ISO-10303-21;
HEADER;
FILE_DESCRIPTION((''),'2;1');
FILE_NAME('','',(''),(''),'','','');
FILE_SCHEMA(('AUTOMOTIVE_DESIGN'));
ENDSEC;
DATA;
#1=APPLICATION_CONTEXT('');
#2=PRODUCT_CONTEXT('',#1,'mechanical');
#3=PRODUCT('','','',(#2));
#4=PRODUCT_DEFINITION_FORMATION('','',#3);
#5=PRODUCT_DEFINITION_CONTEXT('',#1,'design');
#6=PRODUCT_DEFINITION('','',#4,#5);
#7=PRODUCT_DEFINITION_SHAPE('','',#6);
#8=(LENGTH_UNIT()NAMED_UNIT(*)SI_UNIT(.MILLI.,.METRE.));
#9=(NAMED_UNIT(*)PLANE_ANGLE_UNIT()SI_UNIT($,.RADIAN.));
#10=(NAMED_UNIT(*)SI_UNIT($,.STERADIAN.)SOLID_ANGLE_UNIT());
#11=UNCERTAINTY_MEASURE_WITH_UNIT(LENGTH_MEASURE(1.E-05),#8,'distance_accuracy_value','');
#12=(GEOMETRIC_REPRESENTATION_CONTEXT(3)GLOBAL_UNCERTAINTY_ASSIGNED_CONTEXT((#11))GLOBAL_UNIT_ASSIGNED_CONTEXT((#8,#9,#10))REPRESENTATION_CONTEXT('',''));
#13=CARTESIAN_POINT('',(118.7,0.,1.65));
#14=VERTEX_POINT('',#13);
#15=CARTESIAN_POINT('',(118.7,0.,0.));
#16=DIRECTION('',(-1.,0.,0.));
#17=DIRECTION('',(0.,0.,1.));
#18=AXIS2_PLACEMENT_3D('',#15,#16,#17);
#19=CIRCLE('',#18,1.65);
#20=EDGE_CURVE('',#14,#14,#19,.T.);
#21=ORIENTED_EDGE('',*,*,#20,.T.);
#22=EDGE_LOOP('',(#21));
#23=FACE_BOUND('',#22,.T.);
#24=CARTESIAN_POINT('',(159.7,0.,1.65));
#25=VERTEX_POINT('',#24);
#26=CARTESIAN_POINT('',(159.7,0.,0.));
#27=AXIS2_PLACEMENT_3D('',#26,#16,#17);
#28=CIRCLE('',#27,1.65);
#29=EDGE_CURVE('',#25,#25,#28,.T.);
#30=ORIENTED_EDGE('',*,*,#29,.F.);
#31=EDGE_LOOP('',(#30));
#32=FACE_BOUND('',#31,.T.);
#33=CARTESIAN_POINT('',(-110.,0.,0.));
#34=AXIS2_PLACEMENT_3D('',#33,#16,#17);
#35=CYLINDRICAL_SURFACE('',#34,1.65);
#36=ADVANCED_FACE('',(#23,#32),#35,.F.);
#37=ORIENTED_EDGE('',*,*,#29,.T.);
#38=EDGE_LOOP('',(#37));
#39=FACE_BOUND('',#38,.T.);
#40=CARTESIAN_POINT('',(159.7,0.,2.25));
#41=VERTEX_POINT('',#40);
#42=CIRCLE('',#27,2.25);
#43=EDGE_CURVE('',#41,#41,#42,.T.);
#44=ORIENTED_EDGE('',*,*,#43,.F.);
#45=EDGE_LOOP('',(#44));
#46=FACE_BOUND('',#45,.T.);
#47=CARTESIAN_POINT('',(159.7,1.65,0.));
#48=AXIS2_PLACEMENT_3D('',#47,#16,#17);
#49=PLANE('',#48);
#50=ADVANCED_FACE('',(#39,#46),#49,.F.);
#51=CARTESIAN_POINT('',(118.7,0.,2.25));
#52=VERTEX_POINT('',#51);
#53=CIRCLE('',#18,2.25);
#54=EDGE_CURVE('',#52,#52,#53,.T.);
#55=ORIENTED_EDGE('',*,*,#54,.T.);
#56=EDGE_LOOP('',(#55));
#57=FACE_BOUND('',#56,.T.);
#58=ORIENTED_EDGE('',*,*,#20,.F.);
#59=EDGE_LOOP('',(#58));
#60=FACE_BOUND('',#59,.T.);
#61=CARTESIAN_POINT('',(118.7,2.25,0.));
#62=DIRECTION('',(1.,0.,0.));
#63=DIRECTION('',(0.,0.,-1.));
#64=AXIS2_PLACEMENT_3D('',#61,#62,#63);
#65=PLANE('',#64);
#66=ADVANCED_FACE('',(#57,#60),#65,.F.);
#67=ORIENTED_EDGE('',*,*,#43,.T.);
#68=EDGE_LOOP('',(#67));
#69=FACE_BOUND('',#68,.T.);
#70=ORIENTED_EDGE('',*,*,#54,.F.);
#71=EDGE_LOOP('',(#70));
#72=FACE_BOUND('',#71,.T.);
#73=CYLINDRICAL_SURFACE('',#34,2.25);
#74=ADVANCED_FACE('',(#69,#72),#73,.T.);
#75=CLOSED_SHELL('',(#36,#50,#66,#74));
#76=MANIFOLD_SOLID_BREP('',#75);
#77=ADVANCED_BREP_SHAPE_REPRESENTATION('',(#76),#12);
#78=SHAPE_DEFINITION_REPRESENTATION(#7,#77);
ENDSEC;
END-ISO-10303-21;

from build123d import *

# Parameters (mm, degrees)
AXIAL_PROFILE_MM_W = 41
AXIAL_PROFILE_MM_H = 0.6


with BuildPart() as part:
    # Axial profile (mm) → Full revolution (revolve)
    with BuildSketch(Plane.XY, mode=Mode.PRIVATE) as full_revolution_sk:
        with Locations((139.2, 1.95)):
            Rectangle(AXIAL_PROFILE_MM_W, AXIAL_PROFILE_MM_H)
    revolve(full_revolution_sk.sketch.rotate(Axis((-110, 0, 0), (1, 0, 0)), 90), axis=Axis((-110, 0, 0), (1, 0, 0)))


solid = part.part
